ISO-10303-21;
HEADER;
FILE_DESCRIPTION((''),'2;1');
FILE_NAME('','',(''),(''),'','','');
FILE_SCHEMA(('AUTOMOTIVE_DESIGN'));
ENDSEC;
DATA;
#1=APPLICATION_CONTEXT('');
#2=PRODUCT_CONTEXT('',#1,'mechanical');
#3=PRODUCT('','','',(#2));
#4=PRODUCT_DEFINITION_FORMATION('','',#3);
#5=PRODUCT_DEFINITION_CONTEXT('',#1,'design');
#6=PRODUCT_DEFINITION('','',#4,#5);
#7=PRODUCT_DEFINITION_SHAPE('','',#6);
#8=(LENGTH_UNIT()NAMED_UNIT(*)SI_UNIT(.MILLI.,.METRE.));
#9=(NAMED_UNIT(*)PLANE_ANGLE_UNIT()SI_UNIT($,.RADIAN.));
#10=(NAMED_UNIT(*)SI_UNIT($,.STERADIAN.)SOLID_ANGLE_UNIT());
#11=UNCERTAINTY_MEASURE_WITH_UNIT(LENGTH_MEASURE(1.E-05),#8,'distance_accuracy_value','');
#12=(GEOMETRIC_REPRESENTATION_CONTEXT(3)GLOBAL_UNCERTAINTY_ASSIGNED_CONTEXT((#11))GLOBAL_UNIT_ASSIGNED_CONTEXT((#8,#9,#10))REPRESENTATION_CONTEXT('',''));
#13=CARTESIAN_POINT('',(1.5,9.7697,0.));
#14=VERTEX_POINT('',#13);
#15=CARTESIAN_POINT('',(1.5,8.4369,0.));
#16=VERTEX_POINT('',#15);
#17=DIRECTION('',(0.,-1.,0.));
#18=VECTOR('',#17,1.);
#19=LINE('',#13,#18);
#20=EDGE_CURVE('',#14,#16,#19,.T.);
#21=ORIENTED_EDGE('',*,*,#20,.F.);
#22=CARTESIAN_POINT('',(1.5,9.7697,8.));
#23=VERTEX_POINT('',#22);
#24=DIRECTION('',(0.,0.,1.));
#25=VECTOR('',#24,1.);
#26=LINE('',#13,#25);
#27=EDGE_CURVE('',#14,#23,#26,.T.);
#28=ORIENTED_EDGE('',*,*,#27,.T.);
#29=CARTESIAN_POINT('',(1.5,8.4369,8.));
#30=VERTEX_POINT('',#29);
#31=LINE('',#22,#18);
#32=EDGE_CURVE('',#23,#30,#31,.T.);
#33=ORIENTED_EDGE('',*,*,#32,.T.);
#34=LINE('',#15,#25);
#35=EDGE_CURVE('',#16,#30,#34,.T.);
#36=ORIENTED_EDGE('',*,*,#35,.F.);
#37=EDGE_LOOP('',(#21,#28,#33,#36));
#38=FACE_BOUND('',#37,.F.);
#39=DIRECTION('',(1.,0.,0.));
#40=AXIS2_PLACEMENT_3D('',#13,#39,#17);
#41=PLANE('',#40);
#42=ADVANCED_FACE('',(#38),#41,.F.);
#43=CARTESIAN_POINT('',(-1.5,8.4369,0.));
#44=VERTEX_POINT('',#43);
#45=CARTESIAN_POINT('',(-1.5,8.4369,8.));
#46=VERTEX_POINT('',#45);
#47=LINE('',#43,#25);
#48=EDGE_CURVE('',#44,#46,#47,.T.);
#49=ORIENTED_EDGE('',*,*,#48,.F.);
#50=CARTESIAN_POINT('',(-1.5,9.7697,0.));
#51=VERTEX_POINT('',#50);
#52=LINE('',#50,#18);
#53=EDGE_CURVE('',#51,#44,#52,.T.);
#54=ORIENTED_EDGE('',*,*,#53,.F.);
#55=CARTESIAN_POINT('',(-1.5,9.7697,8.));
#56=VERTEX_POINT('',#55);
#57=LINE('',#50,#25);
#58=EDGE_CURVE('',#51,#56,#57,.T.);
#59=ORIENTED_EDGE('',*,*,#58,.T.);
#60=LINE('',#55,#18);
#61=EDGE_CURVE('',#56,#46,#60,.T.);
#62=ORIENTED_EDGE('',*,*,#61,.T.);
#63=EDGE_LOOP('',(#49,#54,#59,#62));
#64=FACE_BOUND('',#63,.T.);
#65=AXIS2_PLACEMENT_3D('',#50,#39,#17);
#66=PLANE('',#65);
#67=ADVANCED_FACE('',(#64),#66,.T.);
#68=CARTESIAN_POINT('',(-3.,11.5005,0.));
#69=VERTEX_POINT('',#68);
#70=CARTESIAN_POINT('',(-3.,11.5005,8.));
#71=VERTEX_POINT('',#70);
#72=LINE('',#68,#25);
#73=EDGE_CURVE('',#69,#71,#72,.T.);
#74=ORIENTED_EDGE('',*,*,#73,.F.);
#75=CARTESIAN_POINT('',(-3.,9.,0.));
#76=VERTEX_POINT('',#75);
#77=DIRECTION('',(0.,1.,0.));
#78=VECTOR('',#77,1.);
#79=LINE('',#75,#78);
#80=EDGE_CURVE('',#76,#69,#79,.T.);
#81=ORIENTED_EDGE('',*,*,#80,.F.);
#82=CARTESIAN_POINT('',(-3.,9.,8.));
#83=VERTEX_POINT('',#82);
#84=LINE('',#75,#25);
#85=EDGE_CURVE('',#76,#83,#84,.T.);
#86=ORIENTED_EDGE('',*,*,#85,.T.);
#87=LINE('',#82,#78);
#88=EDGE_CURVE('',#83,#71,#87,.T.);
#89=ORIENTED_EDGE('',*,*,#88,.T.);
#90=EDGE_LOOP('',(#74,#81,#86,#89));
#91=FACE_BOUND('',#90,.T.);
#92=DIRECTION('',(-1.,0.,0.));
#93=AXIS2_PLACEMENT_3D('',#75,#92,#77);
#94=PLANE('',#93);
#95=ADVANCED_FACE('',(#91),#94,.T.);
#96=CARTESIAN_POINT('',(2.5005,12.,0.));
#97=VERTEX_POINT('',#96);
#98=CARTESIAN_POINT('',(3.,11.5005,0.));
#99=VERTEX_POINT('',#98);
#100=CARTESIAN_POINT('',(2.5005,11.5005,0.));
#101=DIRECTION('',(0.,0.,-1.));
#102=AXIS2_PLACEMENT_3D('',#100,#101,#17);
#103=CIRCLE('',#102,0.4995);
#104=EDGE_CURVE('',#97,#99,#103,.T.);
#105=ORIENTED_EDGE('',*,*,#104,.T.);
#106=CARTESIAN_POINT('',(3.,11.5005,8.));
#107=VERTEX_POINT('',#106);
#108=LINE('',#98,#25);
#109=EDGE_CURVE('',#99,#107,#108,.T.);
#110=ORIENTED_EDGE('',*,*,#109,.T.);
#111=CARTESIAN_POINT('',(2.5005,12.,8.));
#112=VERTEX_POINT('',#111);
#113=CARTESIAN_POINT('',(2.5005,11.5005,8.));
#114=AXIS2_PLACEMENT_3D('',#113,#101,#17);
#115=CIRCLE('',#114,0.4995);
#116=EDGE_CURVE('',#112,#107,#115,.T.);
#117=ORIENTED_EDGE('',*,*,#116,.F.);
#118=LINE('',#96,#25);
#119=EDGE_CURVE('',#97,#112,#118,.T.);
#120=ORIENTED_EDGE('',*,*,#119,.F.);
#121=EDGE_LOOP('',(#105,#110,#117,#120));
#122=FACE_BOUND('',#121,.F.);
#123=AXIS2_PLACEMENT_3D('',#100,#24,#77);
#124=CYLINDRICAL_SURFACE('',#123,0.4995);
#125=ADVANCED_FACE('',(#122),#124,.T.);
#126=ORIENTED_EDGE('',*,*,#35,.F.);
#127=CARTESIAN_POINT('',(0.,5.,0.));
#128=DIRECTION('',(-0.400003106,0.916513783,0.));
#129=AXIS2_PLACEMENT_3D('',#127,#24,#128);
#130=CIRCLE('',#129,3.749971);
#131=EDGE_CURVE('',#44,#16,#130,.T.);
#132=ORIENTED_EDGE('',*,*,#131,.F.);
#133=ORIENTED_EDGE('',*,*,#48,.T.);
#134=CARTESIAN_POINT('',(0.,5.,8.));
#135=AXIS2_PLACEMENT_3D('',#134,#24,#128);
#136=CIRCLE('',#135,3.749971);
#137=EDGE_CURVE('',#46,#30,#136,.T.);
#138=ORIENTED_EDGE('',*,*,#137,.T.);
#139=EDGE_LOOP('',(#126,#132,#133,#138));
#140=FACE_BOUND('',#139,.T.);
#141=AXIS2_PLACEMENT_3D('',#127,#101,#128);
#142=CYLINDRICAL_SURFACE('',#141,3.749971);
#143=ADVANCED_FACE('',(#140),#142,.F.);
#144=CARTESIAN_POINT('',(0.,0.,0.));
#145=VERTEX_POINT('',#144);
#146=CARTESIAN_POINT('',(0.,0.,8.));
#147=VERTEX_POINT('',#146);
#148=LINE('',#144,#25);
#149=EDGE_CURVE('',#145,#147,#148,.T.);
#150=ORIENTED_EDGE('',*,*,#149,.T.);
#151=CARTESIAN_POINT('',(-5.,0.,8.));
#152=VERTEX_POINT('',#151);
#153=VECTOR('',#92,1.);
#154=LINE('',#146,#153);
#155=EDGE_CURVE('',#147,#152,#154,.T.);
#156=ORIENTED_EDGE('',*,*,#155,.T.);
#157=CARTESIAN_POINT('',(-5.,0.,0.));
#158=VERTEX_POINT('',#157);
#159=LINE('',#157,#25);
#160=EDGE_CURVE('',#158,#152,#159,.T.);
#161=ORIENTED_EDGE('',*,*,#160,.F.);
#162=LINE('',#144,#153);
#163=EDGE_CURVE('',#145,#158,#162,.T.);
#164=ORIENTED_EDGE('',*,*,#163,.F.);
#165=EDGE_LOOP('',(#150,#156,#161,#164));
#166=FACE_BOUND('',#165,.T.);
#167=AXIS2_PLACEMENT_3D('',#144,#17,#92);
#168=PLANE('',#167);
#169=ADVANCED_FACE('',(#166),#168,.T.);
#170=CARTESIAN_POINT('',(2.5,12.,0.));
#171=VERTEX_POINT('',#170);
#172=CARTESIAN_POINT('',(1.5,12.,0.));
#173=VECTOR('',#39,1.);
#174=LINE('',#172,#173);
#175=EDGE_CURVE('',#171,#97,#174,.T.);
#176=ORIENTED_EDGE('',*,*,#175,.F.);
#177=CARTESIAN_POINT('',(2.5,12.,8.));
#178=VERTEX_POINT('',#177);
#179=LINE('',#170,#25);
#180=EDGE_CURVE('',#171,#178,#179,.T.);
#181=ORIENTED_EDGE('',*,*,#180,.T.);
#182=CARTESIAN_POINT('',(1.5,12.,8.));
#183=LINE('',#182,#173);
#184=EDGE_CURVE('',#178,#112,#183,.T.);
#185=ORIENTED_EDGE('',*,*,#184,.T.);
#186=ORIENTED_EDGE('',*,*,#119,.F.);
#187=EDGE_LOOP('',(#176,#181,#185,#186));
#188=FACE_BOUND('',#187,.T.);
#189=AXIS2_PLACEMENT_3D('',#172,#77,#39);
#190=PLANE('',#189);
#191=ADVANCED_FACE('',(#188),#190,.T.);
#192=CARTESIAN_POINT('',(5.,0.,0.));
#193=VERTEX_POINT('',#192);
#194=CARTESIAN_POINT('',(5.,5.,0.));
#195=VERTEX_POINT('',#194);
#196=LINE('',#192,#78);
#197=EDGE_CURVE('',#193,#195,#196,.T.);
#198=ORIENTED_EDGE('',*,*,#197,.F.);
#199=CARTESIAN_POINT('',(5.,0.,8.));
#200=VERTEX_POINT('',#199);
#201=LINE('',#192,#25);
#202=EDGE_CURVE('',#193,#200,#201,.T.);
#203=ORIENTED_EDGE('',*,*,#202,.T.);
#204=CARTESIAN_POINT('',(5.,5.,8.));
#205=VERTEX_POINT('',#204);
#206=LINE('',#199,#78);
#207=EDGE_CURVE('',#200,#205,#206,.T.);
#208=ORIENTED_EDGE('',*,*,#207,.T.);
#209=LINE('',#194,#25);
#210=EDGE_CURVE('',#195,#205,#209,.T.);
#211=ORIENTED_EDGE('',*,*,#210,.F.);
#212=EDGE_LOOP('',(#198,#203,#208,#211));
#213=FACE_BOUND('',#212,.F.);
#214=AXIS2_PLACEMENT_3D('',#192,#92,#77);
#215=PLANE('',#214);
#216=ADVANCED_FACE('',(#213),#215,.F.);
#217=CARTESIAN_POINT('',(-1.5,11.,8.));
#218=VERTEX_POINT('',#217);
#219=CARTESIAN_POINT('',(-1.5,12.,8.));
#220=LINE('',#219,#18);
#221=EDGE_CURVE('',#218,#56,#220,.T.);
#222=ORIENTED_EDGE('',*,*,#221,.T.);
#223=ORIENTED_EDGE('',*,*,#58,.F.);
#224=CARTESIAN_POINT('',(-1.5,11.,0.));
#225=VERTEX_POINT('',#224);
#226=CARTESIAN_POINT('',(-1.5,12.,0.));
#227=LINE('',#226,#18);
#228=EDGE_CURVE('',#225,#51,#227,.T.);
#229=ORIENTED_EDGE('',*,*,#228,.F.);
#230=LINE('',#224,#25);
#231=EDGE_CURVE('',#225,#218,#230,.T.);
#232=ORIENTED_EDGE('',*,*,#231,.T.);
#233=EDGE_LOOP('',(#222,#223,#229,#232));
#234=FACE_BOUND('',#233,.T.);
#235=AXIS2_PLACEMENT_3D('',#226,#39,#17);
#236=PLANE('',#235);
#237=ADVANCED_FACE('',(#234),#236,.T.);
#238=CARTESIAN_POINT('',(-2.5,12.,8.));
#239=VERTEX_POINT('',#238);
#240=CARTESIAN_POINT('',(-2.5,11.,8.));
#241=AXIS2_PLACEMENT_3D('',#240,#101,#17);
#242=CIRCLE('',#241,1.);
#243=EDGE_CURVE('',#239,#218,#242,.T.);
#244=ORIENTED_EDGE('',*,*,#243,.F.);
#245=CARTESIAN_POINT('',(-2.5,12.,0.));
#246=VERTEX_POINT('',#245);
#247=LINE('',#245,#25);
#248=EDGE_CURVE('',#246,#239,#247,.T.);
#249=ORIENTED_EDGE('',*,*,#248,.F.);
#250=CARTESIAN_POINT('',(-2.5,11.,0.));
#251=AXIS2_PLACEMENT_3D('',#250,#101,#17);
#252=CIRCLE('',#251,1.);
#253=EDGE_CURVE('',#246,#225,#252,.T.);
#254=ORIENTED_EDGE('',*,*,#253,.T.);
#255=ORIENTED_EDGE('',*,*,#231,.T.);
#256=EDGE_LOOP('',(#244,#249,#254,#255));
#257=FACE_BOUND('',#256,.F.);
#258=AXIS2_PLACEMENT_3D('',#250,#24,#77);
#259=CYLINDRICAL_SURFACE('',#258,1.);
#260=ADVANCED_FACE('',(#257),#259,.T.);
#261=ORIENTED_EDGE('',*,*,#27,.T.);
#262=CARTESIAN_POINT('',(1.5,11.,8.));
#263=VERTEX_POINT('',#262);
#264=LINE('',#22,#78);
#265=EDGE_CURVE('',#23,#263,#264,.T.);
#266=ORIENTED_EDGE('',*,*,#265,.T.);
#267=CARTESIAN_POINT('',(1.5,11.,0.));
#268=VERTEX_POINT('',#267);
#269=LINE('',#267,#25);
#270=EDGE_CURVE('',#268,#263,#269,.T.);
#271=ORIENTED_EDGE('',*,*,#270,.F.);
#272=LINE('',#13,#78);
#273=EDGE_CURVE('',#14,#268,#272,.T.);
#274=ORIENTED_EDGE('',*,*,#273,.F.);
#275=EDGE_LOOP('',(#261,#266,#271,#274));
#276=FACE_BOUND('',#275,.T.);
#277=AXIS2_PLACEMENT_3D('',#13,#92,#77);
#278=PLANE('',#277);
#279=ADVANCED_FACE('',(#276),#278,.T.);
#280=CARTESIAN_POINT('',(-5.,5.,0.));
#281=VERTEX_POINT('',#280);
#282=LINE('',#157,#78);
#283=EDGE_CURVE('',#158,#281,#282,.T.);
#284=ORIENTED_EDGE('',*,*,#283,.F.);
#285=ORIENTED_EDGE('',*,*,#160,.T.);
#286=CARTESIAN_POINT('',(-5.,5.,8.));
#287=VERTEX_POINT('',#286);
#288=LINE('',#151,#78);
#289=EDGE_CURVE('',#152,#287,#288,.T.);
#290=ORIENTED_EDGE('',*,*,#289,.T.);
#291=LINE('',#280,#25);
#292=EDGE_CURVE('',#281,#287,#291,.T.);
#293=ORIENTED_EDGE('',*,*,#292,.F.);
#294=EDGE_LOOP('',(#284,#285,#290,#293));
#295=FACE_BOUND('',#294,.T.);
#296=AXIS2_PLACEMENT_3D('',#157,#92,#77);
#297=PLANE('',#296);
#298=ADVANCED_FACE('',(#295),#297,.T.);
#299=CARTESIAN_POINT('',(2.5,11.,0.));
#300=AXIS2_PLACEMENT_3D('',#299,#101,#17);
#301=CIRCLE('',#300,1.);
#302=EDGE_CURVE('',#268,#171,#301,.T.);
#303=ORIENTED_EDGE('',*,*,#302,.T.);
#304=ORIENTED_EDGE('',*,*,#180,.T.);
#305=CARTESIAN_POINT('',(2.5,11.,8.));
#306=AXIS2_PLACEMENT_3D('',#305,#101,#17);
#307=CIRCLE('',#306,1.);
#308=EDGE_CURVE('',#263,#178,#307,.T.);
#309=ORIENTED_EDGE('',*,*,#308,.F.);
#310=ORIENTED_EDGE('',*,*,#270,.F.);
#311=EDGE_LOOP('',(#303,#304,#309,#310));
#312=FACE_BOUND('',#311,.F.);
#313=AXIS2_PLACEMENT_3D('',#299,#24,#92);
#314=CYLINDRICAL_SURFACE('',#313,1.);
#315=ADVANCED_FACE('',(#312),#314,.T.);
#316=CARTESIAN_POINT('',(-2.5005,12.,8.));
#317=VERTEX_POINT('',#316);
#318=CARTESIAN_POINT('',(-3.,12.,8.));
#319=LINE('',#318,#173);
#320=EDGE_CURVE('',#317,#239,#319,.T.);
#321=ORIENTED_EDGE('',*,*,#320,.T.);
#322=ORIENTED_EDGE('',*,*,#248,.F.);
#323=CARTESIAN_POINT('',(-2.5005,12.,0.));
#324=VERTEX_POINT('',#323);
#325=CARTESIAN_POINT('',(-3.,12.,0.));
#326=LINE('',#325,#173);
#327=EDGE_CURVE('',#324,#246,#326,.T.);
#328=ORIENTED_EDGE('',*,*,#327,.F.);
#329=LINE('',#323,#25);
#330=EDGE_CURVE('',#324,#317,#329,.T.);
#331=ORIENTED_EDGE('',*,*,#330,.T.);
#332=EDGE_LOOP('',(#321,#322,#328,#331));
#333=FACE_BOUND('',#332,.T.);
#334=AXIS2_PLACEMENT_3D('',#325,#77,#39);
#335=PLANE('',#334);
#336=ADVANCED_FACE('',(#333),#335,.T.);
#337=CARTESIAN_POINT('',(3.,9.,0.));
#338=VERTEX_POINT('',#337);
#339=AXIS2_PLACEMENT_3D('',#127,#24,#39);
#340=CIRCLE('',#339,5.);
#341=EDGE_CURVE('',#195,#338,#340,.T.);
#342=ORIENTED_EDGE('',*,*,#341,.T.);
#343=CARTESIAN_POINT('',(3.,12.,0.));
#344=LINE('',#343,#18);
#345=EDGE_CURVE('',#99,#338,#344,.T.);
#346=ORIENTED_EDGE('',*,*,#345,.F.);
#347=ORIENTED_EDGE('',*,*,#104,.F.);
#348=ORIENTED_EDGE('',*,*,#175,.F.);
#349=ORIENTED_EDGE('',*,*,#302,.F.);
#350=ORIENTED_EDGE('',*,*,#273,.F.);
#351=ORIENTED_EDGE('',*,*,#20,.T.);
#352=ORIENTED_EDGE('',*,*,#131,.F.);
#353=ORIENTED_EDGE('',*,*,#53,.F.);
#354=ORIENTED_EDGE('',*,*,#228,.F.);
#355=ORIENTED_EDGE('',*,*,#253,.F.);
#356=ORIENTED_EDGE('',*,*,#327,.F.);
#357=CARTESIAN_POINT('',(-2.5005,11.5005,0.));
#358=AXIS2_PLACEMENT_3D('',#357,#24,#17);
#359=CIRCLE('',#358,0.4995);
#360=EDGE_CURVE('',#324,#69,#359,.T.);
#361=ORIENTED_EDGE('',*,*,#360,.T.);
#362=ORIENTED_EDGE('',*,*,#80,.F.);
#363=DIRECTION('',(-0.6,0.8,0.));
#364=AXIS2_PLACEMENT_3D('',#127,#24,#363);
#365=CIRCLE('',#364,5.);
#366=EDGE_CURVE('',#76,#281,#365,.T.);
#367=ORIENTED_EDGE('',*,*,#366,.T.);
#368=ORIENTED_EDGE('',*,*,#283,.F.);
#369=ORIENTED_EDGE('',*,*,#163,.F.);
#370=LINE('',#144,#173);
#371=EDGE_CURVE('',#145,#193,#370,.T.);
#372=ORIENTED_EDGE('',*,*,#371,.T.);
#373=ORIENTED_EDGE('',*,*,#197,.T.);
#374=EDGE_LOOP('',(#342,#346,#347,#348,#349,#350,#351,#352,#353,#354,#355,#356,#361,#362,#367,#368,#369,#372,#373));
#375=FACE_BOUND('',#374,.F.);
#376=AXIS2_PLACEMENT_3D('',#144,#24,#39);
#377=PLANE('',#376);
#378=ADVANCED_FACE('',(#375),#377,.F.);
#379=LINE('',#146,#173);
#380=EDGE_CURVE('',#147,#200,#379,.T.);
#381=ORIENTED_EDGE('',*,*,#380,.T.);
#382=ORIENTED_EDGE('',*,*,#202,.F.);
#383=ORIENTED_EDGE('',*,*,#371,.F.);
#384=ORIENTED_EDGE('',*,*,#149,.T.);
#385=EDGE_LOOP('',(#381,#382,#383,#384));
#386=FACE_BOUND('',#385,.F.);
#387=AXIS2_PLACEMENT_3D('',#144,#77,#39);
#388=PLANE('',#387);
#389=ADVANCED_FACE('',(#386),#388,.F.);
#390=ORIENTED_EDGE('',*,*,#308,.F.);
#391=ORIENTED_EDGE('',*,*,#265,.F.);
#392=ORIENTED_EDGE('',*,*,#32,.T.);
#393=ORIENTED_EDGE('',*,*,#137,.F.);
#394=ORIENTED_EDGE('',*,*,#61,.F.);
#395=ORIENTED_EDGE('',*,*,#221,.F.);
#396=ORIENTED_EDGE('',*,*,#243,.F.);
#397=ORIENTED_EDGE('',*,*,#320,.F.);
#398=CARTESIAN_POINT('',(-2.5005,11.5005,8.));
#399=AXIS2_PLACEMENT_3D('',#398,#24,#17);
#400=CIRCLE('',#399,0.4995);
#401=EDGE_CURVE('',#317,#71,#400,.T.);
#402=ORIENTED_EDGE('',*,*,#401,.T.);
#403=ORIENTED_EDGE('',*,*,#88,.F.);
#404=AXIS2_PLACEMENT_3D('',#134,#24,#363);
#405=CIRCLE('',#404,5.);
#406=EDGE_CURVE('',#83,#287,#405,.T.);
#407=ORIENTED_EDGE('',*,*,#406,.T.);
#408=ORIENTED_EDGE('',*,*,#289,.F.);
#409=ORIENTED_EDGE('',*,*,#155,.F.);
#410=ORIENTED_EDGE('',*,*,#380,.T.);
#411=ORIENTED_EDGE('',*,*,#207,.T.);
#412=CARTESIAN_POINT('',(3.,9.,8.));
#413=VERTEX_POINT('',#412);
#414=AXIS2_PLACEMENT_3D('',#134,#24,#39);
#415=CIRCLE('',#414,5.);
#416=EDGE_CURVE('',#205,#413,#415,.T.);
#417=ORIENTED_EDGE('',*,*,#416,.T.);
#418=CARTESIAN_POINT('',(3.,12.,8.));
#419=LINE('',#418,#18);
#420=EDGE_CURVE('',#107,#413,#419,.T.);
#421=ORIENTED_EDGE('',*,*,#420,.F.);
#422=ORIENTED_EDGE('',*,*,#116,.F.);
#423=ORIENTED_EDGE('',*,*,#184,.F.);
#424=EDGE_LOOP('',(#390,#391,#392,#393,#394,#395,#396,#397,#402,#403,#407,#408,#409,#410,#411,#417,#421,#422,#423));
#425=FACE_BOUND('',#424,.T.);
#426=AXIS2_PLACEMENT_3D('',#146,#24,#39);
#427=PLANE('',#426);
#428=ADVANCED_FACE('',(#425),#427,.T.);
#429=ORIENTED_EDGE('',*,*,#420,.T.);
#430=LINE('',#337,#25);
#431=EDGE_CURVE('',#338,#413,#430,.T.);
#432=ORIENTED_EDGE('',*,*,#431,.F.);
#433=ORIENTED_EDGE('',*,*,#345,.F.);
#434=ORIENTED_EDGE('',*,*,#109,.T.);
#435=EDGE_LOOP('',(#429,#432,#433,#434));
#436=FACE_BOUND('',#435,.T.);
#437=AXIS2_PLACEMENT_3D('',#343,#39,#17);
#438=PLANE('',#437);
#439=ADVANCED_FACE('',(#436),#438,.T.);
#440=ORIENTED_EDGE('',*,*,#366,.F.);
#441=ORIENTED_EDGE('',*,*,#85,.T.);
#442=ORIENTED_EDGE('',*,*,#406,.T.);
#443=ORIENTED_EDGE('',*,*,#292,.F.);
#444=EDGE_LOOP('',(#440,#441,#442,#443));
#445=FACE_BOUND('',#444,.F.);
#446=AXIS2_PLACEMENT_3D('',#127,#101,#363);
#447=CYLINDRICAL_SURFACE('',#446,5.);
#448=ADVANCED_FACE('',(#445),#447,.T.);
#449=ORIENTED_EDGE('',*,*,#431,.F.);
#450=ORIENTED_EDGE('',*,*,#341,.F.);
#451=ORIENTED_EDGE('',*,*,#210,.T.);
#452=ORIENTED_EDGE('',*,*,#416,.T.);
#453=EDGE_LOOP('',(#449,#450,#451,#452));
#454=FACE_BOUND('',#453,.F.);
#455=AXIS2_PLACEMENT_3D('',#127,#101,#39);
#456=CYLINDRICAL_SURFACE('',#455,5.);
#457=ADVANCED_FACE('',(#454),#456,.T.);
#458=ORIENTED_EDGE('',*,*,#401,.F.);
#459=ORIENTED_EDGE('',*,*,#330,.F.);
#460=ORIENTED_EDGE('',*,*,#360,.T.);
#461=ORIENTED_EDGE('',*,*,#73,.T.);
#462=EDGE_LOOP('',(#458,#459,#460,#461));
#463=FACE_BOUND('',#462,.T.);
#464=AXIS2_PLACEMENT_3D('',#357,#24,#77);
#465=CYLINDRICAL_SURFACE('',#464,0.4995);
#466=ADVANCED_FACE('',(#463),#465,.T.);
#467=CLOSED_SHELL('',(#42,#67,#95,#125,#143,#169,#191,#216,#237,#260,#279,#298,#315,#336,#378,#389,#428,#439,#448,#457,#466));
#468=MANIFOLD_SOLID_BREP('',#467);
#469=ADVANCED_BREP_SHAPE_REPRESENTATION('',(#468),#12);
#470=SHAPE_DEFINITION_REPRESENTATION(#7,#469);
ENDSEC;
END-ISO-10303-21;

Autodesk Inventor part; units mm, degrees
ref_plane "YZ Plane" through (0, 0, 0) normal (1, 0, 0) x (0, 1, 0)
ref_plane "XZ Plane" through (0, 0, 0) normal (0, 1, 0) x (-1, 0, 0)
ref_plane "XY Plane" through (0, 0, 0) normal (0, 0, 1) x (1, 0, 0)
sketch "Sketch3" plane through (0, 0, 0) normal (0, 0, 1) x (1, 0, 0)
  line L0 (0, 0) -> (-5, 0)
  line L1 (-5, 0) -> (-5, 5)
  line L2 (0, 0) -> (5, 0)
  line L3 (5, 0) -> (5, 5)
  arc A0 (-1.5, 8.4369) -> (1.5, 8.4369) centre (0, 5) ccw
  line L4 (-3, 9) -> (-3, 12)
  line L5 (-3, 12) -> (-1.5, 12)
  line L6 (-1.5, 12) -> (-1.5, 9.7697)
  line L7 (1.5, 9.7697) -> (1.5, 12)
  line L8 (1.5, 12) -> (3, 12)
  line L9 (3, 12) -> (3, 9)
  line L10 (-1.5, 9.7697) -> (-1.5, 8.4369)
  line L11 (1.5, 9.7697) -> (1.5, 8.4369)
  arc A1 (-3, 9) -> (-5, 5) centre (0, 5) ccw
  arc A2 (5, 5) -> (3, 9) centre (0, 5) ccw
  dimension "d9" = 5
  dimension "d10" = 7.5
  dimension "d11" = 3
  dimension "d12" = 7
  dimension "d13" = 1.5
  dimension "d14" = 5
  dimension "d15" = 5
  dimension "d16" = 1.5
extrude "Extrusion1" add sketch "Sketch3" along normal blind 8
fillet "Fillet1" radius 1 2 edges at (-1.5, 12, 4) (1.5, 12, 4)
fillet "Fillet2" radius 0.5 2 edges at (3, 12, 4) (-3, 12, 4)
properties part number "WireClip"
